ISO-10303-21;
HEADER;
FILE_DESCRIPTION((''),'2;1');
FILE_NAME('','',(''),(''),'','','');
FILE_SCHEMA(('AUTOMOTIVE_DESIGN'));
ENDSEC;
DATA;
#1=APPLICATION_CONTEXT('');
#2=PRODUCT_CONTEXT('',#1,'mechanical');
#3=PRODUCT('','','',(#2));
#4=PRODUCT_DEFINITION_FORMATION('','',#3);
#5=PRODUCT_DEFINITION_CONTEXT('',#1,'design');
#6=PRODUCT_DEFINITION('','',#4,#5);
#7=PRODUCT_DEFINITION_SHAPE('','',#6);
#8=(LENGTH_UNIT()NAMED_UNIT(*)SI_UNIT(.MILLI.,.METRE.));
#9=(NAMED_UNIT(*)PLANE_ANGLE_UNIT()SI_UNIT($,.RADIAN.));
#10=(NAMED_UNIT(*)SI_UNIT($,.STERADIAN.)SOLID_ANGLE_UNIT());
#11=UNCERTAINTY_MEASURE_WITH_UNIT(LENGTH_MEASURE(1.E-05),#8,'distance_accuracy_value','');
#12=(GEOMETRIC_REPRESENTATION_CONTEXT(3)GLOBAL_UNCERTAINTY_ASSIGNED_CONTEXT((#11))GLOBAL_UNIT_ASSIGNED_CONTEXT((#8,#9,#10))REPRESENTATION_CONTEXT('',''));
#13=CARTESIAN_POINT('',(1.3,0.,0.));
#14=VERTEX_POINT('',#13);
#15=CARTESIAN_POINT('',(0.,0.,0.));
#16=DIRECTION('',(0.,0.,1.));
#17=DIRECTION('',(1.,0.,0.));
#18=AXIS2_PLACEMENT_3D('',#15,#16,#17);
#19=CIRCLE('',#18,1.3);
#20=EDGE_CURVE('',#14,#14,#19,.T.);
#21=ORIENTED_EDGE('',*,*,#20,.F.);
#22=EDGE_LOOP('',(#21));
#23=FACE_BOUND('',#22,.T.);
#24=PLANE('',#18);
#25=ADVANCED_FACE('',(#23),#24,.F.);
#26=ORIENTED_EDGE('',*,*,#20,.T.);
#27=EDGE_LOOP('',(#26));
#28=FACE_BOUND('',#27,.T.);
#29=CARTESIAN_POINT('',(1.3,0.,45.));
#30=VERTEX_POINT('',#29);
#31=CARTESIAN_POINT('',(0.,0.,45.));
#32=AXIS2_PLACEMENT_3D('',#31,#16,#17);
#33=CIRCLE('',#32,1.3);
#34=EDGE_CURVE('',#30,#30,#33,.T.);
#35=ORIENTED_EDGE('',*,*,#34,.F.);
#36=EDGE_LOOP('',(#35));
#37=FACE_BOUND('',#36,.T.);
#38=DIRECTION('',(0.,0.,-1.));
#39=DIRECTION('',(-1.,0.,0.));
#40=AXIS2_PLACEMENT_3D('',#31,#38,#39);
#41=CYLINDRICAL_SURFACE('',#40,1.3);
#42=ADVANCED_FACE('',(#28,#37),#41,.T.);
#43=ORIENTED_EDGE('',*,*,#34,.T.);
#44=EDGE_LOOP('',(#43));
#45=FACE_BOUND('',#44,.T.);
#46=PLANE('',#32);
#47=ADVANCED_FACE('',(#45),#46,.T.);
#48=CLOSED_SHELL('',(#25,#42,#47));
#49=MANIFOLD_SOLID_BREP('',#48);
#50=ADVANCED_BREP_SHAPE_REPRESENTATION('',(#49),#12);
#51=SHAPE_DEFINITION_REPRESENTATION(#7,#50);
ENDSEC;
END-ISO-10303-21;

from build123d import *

# Parameters (mm, degrees)
SKETCH1_R           = 1.3
BOSS_EXTRUDE1_DEPTH = 45


with BuildPart() as part:
    # Sketch1 → Boss-Extrude1 (new body)
    with BuildSketch(Plane.XY):
        Circle(SKETCH1_R)
    extrude(amount=BOSS_EXTRUDE1_DEPTH)


solid = part.part
